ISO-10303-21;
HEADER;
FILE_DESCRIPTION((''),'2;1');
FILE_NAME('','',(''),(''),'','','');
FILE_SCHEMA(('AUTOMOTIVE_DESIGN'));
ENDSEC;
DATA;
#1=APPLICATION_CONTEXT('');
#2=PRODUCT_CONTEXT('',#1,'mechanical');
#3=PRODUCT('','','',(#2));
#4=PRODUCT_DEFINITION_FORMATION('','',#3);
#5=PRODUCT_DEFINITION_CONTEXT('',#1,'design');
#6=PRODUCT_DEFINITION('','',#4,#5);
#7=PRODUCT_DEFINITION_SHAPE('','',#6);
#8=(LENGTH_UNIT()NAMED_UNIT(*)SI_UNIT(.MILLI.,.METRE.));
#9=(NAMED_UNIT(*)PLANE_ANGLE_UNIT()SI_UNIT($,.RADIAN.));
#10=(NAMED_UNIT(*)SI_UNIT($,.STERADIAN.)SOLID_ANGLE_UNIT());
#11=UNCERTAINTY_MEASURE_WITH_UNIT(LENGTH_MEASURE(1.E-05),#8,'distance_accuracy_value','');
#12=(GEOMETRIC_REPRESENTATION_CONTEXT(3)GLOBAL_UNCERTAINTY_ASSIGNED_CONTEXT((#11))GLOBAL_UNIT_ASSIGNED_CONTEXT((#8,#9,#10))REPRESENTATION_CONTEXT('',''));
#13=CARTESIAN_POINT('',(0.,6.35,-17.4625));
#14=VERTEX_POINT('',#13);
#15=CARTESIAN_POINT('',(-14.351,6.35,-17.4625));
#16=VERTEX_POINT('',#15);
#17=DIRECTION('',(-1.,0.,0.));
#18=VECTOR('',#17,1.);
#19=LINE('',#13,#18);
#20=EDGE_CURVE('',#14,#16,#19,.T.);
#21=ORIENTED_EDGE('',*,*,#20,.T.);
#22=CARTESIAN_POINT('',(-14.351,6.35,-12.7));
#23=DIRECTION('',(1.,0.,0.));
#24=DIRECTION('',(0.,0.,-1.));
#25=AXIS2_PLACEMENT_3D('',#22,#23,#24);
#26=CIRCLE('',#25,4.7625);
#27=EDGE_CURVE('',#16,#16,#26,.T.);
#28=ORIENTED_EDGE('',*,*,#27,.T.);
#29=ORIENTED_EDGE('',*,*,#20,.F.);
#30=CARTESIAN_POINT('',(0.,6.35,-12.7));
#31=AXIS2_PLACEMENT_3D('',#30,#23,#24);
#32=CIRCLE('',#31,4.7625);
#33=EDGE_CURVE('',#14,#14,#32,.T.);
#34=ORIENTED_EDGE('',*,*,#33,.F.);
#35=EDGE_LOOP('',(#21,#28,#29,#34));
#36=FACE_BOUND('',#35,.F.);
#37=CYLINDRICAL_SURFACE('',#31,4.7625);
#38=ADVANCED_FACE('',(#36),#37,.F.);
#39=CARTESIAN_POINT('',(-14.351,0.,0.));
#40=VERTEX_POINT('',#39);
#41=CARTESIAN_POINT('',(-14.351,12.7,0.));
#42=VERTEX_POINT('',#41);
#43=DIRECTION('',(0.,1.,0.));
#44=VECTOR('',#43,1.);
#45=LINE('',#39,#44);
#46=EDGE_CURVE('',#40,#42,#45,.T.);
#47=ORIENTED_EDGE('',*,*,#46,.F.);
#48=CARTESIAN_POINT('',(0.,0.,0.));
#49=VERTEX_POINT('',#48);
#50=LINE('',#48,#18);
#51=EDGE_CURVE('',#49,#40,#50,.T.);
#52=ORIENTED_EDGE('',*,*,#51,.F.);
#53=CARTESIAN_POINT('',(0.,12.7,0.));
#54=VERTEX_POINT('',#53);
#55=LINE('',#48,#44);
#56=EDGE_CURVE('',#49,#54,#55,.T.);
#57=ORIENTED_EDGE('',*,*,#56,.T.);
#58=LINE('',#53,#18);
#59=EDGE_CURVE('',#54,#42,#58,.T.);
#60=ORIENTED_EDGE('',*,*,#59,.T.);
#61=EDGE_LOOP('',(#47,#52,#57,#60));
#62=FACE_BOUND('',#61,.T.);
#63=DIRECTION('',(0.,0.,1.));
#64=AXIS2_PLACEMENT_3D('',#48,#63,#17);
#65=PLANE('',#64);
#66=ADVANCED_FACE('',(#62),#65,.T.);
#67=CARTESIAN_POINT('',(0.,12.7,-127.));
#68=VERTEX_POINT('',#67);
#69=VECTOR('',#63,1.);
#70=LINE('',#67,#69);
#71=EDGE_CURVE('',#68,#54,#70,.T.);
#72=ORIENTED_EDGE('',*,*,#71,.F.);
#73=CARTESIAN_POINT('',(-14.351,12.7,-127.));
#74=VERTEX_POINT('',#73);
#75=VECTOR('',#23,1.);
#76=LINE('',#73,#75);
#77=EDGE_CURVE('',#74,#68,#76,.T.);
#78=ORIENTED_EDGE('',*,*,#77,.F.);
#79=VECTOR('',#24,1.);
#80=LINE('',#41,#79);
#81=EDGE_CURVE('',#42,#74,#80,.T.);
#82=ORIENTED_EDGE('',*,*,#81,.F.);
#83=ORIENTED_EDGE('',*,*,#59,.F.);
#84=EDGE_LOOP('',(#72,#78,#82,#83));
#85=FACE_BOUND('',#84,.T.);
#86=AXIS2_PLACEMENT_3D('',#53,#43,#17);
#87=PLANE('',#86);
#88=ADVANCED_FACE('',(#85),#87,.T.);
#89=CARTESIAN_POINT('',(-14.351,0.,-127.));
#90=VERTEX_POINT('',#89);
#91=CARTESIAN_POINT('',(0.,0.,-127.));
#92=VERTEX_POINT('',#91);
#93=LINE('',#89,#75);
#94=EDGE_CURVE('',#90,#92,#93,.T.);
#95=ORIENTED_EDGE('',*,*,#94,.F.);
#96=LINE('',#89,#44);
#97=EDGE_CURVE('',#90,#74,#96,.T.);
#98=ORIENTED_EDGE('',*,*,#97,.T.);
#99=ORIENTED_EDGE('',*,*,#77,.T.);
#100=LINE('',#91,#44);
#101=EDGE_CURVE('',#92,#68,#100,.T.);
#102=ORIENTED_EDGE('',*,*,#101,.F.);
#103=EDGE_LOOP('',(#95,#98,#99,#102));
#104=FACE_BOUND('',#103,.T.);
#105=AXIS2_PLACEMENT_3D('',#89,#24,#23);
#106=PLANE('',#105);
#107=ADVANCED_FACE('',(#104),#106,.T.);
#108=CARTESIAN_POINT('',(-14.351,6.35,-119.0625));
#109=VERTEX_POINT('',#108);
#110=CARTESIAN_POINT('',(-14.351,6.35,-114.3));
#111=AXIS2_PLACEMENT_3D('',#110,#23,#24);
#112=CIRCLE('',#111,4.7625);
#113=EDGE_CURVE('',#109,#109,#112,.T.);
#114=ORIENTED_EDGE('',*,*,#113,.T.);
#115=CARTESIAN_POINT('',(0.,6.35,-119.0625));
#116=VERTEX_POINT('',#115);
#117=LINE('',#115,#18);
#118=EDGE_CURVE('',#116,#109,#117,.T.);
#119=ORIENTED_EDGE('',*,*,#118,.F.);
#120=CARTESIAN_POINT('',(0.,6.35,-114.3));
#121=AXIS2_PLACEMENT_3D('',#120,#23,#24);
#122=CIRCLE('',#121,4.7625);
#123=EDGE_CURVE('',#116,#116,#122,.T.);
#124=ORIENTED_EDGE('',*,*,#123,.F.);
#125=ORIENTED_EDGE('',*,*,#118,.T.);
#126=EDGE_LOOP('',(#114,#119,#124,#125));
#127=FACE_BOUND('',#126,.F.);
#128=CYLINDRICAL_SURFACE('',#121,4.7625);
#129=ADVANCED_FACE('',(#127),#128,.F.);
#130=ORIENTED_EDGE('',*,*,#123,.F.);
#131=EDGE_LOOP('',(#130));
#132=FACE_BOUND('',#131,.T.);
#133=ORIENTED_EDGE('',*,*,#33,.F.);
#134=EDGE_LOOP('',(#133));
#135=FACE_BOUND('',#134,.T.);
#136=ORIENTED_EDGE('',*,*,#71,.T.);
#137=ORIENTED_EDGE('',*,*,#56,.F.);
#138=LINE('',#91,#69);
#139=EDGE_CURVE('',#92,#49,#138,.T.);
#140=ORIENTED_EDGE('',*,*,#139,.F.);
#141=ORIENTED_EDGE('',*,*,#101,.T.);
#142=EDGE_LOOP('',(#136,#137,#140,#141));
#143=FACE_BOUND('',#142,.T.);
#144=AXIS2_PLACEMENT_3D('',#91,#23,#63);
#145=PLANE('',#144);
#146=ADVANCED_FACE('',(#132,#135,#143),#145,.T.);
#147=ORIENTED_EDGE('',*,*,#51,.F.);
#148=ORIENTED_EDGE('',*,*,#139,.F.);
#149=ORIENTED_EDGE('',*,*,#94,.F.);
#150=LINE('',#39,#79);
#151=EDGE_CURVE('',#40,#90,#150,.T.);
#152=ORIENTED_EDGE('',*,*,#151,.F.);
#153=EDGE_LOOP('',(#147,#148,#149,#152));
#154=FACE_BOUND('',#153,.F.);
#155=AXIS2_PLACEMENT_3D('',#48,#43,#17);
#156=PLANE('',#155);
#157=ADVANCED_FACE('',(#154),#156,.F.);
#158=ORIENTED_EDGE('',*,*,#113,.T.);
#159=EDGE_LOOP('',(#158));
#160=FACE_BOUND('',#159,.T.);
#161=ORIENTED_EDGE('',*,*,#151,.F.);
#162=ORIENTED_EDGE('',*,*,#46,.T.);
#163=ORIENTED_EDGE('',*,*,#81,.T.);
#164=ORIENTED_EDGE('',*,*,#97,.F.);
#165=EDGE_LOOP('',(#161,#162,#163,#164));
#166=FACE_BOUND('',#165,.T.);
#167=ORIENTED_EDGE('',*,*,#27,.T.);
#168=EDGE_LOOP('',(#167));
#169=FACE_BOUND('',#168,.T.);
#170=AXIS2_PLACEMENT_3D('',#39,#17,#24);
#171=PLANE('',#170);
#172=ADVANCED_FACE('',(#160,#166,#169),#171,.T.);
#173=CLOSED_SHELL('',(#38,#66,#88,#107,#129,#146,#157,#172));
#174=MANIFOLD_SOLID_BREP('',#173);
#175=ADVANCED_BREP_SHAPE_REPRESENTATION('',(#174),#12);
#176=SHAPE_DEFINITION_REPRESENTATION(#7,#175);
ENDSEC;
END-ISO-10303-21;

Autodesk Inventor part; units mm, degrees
ref_plane "YZ Plane" through (0, 0, 0) normal (1, 0, 0) x (0, 1, 0)
ref_plane "XZ Plane" through (0, 0, 0) normal (0, 1, 0) x (-1, 0, 0)
ref_plane "XY Plane" through (0, 0, 0) normal (0, 0, 1) x (1, 0, 0)
sketch "Sketch1" plane through (0, 0, 0) normal (0, 1, 0) x (-1, 0, 0)
  line L0 (0, 0) -> (14.351, 0)
  line L1 (14.351, 0) -> (14.351, -127)
  line L2 (14.351, -127) -> (0, -127)
  line L3 (0, -127) -> (0, 0)
  dimension "d0" = 127
  dimension "d1" = 14.351
extrude "Extrusion1" add sketch "Sketch1" along normal blind 12.7
sketch "Sketch2" plane through (0, 0, 0) normal (1, 0, 0) x (0, 0, -1)
  circle A0 centre (12.7, 6.35) radius 4.7625
  circle A1 centre (114.3, 6.35) radius 4.7625
  line L0 (0, 12.7) -> (127, 12.7) projected
  line L1 (127, 0) -> (127, 12.7) projected
  point P0 (0, 0)
  dimension "d4" = 9.525
  dimension "d5" = 9.525
  dimension "d6" = 101.6
  dimension "d7" = 127
  dimension "d8" = 12.7
  dimension "d9" = 12.7
  dimension "d10" = 6.35
  dimension "d11" = 6.35
extrude "Extrusion2" cut sketch "Sketch2" against normal through all
equation "\"d5\" = d4"
equation "\"d8\" = -0.5 * d6 + 0.5 * d7"
equation "\"d10\" = 0.5 * d9"
equation "\"d11\" = d10"
properties part number "axil mount"
